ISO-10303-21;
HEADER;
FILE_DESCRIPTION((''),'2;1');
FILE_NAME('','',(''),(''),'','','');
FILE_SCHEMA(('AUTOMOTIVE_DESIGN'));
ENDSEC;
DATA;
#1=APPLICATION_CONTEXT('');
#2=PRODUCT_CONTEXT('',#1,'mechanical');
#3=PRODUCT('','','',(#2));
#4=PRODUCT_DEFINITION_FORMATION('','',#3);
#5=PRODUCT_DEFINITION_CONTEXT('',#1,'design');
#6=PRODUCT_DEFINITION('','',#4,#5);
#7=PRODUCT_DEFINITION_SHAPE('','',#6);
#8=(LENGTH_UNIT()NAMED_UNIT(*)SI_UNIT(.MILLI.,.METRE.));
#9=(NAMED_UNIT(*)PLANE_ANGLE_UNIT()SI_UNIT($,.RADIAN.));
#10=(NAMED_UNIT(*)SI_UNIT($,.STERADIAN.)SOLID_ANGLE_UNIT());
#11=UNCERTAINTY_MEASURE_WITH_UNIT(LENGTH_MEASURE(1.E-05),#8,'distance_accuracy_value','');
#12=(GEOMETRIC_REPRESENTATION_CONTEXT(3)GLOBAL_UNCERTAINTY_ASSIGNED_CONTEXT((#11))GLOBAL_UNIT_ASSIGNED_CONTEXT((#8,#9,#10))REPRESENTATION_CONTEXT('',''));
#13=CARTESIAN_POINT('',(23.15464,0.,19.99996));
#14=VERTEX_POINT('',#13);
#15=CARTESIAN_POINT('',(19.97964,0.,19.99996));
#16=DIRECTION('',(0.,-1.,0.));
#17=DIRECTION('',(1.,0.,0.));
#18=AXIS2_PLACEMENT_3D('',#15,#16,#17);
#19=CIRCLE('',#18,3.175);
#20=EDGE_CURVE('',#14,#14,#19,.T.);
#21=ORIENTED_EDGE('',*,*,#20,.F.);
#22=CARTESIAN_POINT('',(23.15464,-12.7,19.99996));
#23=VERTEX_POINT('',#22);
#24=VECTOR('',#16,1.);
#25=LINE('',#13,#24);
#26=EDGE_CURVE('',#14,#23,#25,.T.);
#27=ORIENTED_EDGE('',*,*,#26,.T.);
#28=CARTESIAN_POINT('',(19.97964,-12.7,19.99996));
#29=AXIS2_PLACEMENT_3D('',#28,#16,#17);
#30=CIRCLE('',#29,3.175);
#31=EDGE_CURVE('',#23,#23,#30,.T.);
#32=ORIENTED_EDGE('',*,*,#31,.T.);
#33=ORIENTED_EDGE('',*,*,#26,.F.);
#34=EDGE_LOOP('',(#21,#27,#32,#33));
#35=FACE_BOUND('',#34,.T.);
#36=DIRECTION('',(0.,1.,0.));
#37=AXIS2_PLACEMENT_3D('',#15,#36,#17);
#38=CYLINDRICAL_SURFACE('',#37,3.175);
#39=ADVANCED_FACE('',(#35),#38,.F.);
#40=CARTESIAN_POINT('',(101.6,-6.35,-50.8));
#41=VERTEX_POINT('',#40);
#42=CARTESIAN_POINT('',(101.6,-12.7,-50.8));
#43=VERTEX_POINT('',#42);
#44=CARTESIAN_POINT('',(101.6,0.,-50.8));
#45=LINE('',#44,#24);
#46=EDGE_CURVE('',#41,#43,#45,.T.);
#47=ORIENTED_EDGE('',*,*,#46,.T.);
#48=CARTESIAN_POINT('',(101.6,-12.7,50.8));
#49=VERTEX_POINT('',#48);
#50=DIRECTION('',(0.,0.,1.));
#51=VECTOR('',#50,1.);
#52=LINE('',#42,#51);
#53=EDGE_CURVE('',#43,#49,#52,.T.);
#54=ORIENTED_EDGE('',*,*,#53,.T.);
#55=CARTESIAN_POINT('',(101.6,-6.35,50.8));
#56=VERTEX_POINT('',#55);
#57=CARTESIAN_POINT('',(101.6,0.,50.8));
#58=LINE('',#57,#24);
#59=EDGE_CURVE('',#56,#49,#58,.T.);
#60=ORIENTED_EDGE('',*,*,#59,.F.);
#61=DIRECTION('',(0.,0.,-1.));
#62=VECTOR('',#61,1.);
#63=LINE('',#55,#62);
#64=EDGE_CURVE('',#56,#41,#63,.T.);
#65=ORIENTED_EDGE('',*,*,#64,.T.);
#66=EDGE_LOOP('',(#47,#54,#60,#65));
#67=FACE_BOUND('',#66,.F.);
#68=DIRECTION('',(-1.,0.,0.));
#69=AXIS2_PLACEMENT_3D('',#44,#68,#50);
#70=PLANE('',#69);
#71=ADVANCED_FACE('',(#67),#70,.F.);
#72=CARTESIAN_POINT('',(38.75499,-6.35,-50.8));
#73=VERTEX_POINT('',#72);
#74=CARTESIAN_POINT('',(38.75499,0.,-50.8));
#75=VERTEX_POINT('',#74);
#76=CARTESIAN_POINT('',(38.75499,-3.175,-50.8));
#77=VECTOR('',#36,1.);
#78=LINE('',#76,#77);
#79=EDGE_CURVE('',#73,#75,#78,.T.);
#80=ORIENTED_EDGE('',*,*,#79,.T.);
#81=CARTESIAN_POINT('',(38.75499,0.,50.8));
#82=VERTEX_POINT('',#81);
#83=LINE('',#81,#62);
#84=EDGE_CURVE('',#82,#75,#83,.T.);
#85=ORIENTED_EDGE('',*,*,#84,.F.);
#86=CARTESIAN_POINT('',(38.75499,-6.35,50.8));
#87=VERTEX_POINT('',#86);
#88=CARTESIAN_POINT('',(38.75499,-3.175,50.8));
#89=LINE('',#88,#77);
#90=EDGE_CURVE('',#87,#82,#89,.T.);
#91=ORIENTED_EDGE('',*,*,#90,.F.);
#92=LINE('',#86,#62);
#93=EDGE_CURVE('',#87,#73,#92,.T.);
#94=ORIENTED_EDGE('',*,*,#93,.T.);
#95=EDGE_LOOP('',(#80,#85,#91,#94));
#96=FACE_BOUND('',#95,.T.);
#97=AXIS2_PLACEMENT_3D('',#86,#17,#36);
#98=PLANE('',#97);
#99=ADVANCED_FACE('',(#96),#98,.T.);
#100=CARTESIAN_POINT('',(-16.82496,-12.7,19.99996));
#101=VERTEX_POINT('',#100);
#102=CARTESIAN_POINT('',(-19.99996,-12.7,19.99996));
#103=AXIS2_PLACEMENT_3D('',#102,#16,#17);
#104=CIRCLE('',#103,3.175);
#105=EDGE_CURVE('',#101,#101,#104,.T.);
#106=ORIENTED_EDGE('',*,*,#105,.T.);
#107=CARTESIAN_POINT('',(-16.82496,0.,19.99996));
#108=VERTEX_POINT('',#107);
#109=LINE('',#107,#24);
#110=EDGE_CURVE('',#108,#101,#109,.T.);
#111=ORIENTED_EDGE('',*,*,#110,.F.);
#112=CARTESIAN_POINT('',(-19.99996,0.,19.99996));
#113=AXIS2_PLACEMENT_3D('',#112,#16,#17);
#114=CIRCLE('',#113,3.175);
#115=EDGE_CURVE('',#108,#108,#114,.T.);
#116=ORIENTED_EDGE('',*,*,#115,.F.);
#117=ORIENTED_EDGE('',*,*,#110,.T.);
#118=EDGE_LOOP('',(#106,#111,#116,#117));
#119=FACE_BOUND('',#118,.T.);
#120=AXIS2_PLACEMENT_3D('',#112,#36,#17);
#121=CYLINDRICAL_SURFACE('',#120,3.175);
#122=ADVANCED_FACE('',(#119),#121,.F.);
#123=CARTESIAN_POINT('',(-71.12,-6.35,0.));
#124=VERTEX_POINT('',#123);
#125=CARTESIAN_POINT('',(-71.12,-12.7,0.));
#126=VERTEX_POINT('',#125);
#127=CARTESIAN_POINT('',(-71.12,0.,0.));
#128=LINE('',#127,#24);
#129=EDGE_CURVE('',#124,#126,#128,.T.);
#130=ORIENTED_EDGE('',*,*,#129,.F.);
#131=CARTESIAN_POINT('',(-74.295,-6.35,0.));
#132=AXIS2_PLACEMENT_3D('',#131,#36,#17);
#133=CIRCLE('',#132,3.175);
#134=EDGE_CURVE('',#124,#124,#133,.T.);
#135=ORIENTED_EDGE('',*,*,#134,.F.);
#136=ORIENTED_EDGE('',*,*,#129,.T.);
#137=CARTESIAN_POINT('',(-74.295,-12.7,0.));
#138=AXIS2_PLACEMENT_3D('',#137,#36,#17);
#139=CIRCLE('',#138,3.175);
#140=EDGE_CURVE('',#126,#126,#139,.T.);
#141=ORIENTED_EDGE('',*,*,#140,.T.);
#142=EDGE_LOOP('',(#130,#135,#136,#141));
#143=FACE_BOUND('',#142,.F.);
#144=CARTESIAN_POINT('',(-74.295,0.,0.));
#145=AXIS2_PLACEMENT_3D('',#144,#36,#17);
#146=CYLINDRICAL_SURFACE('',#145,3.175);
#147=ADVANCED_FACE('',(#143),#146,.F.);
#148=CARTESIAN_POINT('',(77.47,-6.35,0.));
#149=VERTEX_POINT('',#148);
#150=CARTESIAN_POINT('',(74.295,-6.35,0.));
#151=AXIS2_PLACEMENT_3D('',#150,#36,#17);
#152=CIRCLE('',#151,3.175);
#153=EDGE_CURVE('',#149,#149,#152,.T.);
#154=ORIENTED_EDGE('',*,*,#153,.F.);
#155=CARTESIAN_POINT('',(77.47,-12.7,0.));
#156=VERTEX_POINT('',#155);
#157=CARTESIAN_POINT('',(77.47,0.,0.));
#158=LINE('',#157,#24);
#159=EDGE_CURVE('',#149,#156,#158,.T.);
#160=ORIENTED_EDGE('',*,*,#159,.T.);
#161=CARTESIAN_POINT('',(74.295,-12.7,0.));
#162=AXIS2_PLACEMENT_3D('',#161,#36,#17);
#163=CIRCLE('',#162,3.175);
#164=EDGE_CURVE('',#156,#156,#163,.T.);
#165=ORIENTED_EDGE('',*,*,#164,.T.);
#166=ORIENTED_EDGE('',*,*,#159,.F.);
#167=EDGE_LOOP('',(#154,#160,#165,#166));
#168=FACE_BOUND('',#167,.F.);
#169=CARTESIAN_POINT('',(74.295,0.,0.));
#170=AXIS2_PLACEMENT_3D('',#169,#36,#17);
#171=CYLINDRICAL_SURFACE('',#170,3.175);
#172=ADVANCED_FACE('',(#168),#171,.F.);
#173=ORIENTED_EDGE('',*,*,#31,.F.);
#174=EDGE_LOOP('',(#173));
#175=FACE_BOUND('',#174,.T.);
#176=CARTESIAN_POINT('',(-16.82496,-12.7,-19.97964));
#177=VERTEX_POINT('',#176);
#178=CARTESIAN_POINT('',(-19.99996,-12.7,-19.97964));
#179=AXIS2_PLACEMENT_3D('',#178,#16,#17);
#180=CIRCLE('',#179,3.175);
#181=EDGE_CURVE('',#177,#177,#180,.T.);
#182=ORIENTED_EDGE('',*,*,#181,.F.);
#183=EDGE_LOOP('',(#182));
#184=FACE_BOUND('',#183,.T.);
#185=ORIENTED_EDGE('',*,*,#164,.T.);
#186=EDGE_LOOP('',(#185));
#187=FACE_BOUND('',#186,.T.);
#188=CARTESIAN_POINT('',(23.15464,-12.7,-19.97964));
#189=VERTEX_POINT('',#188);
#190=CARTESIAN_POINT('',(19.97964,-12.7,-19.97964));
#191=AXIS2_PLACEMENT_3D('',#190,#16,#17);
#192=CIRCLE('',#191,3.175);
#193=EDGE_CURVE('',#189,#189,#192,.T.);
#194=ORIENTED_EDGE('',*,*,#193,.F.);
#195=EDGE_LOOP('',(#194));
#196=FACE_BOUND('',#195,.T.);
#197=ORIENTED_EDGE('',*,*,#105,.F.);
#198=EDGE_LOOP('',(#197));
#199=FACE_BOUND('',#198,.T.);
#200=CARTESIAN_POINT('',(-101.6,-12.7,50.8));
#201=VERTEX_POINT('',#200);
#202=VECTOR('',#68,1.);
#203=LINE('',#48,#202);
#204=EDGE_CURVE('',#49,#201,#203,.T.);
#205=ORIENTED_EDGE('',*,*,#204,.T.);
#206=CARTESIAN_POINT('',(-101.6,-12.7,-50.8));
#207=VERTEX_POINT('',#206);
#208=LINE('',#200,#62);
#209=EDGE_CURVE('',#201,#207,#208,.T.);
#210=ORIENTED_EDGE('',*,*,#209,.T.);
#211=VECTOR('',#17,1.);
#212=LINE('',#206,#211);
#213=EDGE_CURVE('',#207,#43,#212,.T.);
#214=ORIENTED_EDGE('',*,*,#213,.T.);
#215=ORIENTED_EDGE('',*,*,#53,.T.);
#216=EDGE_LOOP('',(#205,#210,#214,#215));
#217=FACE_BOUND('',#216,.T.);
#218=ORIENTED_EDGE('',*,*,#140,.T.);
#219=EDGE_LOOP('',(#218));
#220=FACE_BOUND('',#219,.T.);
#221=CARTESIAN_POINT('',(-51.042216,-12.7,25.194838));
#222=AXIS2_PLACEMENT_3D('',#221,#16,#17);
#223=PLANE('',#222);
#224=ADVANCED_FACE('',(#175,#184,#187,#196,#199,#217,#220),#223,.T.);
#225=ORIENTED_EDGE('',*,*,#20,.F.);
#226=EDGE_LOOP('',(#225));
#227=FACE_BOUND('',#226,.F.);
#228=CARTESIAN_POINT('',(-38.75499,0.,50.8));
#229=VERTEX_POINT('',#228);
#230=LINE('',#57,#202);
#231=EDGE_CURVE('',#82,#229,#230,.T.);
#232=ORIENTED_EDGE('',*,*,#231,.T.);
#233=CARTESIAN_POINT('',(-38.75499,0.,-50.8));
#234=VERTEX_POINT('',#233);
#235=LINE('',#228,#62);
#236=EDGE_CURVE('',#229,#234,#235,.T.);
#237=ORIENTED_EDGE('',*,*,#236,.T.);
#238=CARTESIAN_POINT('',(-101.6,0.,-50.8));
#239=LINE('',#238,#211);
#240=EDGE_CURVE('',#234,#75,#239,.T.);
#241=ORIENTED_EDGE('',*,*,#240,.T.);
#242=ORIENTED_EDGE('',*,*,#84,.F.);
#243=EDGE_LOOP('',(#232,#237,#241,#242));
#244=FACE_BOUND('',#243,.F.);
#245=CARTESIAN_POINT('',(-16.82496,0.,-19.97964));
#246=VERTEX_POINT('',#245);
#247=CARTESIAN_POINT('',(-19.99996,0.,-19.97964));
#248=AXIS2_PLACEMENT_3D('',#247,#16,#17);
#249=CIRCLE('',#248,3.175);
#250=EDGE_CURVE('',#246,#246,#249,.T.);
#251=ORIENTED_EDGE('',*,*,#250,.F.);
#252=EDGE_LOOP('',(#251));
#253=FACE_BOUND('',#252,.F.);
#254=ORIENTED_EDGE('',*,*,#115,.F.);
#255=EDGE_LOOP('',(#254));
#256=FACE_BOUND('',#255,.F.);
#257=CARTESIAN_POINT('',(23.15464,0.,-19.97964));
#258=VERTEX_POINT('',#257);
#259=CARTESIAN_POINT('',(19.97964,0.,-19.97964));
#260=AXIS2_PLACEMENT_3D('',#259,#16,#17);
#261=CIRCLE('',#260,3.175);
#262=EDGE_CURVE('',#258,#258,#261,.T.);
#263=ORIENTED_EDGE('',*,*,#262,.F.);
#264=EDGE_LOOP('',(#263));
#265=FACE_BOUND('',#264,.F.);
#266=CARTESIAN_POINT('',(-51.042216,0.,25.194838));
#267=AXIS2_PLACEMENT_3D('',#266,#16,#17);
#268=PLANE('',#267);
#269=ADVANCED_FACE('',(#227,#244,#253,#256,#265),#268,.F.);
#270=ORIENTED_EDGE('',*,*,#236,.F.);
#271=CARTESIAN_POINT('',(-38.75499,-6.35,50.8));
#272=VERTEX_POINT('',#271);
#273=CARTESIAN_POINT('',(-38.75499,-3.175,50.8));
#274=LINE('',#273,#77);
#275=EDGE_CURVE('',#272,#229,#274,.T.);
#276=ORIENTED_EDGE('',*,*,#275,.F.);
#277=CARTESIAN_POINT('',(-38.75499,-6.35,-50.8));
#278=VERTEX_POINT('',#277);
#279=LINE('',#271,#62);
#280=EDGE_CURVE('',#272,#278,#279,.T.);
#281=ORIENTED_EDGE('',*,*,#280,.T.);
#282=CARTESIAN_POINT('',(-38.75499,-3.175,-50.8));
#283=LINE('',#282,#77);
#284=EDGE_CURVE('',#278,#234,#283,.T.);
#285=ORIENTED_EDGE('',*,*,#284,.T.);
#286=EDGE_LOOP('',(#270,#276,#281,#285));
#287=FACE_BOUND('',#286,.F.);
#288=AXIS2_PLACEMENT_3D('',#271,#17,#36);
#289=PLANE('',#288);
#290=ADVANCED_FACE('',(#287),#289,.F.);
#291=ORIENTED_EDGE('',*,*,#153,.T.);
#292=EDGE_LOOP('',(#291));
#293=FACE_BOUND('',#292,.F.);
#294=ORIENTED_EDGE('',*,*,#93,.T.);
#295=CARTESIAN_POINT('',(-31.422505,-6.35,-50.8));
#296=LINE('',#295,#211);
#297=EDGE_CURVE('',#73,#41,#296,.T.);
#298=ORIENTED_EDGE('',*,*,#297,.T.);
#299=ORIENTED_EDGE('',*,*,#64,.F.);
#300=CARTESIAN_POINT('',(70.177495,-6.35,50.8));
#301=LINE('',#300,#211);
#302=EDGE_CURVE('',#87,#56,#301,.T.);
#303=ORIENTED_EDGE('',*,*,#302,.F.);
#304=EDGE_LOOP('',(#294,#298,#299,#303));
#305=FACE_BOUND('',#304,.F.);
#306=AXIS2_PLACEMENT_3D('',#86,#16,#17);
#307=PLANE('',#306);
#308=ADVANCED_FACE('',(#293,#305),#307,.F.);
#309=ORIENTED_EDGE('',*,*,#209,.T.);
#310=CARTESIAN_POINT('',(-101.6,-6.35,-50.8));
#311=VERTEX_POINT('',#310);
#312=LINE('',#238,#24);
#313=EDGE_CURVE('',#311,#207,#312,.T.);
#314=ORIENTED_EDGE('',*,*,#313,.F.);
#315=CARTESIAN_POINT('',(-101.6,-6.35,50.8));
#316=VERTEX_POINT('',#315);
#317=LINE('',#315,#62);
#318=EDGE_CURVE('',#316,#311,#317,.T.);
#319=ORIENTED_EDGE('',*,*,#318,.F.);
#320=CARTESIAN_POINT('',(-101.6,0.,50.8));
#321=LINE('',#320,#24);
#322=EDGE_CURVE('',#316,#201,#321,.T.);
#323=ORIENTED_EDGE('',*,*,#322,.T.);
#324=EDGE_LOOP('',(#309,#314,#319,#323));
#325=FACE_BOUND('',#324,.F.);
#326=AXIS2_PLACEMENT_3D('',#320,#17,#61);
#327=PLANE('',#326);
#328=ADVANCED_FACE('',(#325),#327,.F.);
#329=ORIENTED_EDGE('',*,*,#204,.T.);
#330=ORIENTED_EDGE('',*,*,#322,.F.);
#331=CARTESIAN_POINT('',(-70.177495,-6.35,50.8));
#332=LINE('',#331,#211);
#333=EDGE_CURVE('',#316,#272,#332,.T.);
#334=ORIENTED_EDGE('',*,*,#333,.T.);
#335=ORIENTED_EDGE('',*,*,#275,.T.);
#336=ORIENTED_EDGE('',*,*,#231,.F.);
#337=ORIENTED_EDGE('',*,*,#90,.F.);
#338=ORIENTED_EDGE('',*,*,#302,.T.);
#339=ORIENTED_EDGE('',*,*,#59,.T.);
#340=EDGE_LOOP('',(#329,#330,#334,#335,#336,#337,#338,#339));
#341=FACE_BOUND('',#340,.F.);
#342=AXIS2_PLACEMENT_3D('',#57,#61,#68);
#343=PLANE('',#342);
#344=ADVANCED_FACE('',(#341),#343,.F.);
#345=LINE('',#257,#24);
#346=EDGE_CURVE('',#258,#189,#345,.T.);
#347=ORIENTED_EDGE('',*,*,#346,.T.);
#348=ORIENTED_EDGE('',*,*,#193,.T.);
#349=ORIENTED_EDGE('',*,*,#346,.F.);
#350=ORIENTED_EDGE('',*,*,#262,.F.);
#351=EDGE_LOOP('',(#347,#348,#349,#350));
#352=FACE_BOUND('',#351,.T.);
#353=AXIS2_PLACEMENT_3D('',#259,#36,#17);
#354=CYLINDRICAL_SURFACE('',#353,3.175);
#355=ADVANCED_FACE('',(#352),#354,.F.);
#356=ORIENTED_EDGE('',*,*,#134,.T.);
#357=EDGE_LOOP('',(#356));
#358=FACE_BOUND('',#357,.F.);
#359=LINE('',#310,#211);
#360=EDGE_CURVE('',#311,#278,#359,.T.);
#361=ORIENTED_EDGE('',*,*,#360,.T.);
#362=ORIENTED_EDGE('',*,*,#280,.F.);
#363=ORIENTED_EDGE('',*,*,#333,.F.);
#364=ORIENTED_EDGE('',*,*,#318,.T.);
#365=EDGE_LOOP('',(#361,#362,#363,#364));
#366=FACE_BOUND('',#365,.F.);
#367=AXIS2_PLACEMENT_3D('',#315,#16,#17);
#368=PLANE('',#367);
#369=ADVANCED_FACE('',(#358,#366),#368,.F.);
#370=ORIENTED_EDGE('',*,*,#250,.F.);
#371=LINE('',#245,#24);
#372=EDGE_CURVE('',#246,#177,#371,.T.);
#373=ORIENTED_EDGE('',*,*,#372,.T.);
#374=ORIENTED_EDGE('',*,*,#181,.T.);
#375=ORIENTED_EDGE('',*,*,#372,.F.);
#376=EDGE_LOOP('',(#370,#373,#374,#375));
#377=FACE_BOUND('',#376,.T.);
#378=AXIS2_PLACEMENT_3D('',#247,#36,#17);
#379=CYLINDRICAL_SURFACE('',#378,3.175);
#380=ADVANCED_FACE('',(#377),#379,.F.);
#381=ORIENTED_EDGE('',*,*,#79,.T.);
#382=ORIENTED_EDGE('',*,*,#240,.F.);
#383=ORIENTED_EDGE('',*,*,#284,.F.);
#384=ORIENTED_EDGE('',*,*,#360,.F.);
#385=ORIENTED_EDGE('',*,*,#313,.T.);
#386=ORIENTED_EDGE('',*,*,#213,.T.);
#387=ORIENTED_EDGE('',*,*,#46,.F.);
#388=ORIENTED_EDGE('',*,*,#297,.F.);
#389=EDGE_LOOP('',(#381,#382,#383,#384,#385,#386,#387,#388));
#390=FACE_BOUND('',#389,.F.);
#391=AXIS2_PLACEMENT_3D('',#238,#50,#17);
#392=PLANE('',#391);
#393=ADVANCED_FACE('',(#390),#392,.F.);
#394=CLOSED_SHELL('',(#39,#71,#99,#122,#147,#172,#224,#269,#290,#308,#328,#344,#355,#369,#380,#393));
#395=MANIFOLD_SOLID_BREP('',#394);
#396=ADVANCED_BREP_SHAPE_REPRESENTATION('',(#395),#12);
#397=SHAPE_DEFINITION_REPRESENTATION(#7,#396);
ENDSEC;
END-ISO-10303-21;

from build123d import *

# Parameters (mm, degrees)
F0_R     = 3.175
F1_DEPTH = 12.7
F2_W     = 62.84501
F2_H     = 6.35
F3_DEPTH = 101.601
F4_DEPTH = 101.601


with BuildPart() as f1:
    # F0 (on Front) → F1 (new body)
    with BuildSketch(Plane.XZ):
        with BuildLine():
            Line((0, 50.8), (-101.6, 50.8))
            Line((-101.6, 50.8), (-101.6, 0))
            Line((-101.6, 0), (-77.47, 0))
            ThreePointArc((-77.47, 0), (-74.295, 3.175), (-71.12, 0))
            Line((-71.12, 0), (0, 0))
            Line((0, 0), (0, 50.8))
        make_face()
        with Locations((-19.99996, 19.99996)):
            Circle(F0_R, mode=Mode.SUBTRACT)
        with BuildLine():
            Line((101.6, 50.8), (0, 50.8))
            Line((0, 50.8), (0, 0))
            Line((0, 0), (71.12, 0))
            ThreePointArc((71.12, 0), (74.295, 3.175), (77.47, 0))
            Line((77.47, 0), (101.6, 0))
            Line((101.6, 0), (101.6, 50.8))
        make_face()
        with Locations((19.97964, 19.99996)):
            Circle(F0_R, mode=Mode.SUBTRACT)
        with BuildLine():
            Line((-77.47, 0), (-101.6, 0))
            Line((-101.6, 0), (-101.6, -50.8))
            Line((-101.6, -50.8), (0, -50.8))
            Line((0, -50.8), (0, 0))
            Line((0, 0), (-71.12, 0))
            ThreePointArc((-71.12, 0), (-74.295, -3.175), (-77.47, 0))
        make_face()
        with Locations((-19.99996, -19.97964)):
            Circle(F0_R, mode=Mode.SUBTRACT)
        with BuildLine():
            Line((71.12, 0), (0, 0))
            Line((0, 0), (0, -50.8))
            Line((0, -50.8), (101.6, -50.8))
            Line((101.6, -50.8), (101.6, 0))
            Line((101.6, 0), (77.47, 0))
            ThreePointArc((77.47, 0), (74.295, -3.175), (71.12, 0))
        make_face()
        with Locations((19.97964, -19.97964)):
            Circle(F0_R, mode=Mode.SUBTRACT)
    extrude(amount=F1_DEPTH)

    # F2 (on face) → F3 (cut, through all)
    with BuildSketch(Plane.XY.offset(50.8)):
        with Locations((-70.177495, -3.175)):
            Rectangle(F2_W, F2_H)
    extrude(amount=-F3_DEPTH, mode=Mode.SUBTRACT)

    # F2 (on face) → F4 (cut, through all)
    with BuildSketch(Plane.XY.offset(50.8)):
        with Locations((70.177495, -3.175)):
            Rectangle(F2_W, F2_H)
    extrude(amount=-F4_DEPTH, mode=Mode.SUBTRACT)


solid = f1.part
